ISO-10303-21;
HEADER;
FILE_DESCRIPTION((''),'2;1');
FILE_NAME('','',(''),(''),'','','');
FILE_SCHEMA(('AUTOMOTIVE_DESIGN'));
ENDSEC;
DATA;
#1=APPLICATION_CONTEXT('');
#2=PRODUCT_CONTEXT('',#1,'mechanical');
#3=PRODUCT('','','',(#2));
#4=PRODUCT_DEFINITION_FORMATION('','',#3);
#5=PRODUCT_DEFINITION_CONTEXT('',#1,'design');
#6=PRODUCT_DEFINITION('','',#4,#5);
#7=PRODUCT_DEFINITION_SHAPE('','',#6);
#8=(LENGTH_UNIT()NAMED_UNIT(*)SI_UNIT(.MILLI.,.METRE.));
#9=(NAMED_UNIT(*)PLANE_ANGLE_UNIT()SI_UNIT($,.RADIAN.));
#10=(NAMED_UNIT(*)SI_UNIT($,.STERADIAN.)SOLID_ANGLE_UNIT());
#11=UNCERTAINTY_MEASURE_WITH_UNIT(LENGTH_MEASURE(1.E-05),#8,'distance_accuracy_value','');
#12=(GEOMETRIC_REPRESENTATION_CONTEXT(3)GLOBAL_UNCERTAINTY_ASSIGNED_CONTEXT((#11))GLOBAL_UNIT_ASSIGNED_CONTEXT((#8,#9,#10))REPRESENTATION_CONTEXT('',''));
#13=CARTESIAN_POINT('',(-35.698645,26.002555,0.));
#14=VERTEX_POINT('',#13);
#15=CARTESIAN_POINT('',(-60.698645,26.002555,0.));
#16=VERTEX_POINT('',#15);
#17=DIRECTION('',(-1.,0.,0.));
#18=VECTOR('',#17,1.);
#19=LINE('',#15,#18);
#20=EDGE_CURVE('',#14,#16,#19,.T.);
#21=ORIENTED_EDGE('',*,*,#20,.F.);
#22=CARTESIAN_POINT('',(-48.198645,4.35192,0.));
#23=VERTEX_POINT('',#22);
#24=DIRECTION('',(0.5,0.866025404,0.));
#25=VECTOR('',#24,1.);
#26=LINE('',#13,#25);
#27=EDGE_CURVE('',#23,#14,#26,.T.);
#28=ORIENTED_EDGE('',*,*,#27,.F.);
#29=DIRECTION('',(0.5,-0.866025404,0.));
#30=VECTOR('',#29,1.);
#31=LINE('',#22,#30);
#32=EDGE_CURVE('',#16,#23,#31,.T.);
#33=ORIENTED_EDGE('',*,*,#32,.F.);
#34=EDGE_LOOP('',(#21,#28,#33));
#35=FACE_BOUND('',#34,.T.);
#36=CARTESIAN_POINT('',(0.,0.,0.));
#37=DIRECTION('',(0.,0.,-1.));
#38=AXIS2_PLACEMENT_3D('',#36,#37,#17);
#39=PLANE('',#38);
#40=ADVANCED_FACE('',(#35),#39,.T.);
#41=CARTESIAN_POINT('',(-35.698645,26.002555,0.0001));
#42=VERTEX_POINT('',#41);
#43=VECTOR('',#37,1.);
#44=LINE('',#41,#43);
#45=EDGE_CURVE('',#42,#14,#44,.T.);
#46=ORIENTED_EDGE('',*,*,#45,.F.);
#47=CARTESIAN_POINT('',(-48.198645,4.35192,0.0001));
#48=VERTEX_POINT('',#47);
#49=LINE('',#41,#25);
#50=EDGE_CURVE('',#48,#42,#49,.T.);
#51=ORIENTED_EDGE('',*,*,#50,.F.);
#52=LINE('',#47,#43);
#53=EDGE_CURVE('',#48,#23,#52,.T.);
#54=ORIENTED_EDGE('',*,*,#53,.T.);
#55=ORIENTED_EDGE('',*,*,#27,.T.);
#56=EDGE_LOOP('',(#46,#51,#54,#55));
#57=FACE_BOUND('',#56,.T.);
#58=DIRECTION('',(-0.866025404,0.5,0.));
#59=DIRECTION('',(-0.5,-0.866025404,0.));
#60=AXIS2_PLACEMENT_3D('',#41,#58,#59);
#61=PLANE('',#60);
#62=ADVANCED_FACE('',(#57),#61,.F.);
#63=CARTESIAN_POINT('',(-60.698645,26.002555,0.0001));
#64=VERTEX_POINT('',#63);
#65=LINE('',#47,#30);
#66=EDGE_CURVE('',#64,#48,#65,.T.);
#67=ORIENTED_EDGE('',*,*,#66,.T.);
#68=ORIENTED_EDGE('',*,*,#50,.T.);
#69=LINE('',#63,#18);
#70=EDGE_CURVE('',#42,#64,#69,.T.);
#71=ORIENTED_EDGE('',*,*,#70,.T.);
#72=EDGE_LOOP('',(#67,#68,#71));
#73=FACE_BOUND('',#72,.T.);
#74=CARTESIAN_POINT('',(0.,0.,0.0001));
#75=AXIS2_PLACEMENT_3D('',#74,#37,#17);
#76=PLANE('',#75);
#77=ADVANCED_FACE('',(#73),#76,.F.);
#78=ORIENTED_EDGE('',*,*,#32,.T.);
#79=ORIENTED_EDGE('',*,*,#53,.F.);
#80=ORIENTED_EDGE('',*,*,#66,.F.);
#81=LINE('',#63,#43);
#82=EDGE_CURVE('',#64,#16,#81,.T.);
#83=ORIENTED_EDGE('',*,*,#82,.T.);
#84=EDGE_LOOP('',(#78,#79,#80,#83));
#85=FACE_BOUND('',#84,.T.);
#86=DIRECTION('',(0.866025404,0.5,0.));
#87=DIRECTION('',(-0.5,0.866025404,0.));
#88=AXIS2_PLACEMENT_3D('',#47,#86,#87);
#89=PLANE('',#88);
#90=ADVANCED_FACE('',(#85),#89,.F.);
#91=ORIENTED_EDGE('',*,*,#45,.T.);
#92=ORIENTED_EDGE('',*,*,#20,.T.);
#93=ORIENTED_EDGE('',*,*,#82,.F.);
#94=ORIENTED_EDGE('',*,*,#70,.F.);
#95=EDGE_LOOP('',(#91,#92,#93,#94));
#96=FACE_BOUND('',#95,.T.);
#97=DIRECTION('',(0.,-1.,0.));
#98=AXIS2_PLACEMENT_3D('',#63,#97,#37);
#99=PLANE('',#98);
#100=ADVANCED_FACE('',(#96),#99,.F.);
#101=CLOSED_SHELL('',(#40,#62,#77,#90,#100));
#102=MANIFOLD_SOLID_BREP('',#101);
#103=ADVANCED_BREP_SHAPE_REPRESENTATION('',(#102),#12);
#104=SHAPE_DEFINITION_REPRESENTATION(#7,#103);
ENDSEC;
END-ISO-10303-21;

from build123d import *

# Parameters (mm, degrees)
SALIENTE_EXTRUIR1_DEPTH = 0.0001


with BuildPart() as part:
    # Croquis1 → Saliente-Extruir1 (new body)
    with BuildSketch(Plane.XY):
        Polygon((-60.698645159, 26.002554745), (-35.698645159, 26.002554745), (-48.198645159, 4.35191965), align=None)
    extrude(amount=SALIENTE_EXTRUIR1_DEPTH)


solid = part.part
